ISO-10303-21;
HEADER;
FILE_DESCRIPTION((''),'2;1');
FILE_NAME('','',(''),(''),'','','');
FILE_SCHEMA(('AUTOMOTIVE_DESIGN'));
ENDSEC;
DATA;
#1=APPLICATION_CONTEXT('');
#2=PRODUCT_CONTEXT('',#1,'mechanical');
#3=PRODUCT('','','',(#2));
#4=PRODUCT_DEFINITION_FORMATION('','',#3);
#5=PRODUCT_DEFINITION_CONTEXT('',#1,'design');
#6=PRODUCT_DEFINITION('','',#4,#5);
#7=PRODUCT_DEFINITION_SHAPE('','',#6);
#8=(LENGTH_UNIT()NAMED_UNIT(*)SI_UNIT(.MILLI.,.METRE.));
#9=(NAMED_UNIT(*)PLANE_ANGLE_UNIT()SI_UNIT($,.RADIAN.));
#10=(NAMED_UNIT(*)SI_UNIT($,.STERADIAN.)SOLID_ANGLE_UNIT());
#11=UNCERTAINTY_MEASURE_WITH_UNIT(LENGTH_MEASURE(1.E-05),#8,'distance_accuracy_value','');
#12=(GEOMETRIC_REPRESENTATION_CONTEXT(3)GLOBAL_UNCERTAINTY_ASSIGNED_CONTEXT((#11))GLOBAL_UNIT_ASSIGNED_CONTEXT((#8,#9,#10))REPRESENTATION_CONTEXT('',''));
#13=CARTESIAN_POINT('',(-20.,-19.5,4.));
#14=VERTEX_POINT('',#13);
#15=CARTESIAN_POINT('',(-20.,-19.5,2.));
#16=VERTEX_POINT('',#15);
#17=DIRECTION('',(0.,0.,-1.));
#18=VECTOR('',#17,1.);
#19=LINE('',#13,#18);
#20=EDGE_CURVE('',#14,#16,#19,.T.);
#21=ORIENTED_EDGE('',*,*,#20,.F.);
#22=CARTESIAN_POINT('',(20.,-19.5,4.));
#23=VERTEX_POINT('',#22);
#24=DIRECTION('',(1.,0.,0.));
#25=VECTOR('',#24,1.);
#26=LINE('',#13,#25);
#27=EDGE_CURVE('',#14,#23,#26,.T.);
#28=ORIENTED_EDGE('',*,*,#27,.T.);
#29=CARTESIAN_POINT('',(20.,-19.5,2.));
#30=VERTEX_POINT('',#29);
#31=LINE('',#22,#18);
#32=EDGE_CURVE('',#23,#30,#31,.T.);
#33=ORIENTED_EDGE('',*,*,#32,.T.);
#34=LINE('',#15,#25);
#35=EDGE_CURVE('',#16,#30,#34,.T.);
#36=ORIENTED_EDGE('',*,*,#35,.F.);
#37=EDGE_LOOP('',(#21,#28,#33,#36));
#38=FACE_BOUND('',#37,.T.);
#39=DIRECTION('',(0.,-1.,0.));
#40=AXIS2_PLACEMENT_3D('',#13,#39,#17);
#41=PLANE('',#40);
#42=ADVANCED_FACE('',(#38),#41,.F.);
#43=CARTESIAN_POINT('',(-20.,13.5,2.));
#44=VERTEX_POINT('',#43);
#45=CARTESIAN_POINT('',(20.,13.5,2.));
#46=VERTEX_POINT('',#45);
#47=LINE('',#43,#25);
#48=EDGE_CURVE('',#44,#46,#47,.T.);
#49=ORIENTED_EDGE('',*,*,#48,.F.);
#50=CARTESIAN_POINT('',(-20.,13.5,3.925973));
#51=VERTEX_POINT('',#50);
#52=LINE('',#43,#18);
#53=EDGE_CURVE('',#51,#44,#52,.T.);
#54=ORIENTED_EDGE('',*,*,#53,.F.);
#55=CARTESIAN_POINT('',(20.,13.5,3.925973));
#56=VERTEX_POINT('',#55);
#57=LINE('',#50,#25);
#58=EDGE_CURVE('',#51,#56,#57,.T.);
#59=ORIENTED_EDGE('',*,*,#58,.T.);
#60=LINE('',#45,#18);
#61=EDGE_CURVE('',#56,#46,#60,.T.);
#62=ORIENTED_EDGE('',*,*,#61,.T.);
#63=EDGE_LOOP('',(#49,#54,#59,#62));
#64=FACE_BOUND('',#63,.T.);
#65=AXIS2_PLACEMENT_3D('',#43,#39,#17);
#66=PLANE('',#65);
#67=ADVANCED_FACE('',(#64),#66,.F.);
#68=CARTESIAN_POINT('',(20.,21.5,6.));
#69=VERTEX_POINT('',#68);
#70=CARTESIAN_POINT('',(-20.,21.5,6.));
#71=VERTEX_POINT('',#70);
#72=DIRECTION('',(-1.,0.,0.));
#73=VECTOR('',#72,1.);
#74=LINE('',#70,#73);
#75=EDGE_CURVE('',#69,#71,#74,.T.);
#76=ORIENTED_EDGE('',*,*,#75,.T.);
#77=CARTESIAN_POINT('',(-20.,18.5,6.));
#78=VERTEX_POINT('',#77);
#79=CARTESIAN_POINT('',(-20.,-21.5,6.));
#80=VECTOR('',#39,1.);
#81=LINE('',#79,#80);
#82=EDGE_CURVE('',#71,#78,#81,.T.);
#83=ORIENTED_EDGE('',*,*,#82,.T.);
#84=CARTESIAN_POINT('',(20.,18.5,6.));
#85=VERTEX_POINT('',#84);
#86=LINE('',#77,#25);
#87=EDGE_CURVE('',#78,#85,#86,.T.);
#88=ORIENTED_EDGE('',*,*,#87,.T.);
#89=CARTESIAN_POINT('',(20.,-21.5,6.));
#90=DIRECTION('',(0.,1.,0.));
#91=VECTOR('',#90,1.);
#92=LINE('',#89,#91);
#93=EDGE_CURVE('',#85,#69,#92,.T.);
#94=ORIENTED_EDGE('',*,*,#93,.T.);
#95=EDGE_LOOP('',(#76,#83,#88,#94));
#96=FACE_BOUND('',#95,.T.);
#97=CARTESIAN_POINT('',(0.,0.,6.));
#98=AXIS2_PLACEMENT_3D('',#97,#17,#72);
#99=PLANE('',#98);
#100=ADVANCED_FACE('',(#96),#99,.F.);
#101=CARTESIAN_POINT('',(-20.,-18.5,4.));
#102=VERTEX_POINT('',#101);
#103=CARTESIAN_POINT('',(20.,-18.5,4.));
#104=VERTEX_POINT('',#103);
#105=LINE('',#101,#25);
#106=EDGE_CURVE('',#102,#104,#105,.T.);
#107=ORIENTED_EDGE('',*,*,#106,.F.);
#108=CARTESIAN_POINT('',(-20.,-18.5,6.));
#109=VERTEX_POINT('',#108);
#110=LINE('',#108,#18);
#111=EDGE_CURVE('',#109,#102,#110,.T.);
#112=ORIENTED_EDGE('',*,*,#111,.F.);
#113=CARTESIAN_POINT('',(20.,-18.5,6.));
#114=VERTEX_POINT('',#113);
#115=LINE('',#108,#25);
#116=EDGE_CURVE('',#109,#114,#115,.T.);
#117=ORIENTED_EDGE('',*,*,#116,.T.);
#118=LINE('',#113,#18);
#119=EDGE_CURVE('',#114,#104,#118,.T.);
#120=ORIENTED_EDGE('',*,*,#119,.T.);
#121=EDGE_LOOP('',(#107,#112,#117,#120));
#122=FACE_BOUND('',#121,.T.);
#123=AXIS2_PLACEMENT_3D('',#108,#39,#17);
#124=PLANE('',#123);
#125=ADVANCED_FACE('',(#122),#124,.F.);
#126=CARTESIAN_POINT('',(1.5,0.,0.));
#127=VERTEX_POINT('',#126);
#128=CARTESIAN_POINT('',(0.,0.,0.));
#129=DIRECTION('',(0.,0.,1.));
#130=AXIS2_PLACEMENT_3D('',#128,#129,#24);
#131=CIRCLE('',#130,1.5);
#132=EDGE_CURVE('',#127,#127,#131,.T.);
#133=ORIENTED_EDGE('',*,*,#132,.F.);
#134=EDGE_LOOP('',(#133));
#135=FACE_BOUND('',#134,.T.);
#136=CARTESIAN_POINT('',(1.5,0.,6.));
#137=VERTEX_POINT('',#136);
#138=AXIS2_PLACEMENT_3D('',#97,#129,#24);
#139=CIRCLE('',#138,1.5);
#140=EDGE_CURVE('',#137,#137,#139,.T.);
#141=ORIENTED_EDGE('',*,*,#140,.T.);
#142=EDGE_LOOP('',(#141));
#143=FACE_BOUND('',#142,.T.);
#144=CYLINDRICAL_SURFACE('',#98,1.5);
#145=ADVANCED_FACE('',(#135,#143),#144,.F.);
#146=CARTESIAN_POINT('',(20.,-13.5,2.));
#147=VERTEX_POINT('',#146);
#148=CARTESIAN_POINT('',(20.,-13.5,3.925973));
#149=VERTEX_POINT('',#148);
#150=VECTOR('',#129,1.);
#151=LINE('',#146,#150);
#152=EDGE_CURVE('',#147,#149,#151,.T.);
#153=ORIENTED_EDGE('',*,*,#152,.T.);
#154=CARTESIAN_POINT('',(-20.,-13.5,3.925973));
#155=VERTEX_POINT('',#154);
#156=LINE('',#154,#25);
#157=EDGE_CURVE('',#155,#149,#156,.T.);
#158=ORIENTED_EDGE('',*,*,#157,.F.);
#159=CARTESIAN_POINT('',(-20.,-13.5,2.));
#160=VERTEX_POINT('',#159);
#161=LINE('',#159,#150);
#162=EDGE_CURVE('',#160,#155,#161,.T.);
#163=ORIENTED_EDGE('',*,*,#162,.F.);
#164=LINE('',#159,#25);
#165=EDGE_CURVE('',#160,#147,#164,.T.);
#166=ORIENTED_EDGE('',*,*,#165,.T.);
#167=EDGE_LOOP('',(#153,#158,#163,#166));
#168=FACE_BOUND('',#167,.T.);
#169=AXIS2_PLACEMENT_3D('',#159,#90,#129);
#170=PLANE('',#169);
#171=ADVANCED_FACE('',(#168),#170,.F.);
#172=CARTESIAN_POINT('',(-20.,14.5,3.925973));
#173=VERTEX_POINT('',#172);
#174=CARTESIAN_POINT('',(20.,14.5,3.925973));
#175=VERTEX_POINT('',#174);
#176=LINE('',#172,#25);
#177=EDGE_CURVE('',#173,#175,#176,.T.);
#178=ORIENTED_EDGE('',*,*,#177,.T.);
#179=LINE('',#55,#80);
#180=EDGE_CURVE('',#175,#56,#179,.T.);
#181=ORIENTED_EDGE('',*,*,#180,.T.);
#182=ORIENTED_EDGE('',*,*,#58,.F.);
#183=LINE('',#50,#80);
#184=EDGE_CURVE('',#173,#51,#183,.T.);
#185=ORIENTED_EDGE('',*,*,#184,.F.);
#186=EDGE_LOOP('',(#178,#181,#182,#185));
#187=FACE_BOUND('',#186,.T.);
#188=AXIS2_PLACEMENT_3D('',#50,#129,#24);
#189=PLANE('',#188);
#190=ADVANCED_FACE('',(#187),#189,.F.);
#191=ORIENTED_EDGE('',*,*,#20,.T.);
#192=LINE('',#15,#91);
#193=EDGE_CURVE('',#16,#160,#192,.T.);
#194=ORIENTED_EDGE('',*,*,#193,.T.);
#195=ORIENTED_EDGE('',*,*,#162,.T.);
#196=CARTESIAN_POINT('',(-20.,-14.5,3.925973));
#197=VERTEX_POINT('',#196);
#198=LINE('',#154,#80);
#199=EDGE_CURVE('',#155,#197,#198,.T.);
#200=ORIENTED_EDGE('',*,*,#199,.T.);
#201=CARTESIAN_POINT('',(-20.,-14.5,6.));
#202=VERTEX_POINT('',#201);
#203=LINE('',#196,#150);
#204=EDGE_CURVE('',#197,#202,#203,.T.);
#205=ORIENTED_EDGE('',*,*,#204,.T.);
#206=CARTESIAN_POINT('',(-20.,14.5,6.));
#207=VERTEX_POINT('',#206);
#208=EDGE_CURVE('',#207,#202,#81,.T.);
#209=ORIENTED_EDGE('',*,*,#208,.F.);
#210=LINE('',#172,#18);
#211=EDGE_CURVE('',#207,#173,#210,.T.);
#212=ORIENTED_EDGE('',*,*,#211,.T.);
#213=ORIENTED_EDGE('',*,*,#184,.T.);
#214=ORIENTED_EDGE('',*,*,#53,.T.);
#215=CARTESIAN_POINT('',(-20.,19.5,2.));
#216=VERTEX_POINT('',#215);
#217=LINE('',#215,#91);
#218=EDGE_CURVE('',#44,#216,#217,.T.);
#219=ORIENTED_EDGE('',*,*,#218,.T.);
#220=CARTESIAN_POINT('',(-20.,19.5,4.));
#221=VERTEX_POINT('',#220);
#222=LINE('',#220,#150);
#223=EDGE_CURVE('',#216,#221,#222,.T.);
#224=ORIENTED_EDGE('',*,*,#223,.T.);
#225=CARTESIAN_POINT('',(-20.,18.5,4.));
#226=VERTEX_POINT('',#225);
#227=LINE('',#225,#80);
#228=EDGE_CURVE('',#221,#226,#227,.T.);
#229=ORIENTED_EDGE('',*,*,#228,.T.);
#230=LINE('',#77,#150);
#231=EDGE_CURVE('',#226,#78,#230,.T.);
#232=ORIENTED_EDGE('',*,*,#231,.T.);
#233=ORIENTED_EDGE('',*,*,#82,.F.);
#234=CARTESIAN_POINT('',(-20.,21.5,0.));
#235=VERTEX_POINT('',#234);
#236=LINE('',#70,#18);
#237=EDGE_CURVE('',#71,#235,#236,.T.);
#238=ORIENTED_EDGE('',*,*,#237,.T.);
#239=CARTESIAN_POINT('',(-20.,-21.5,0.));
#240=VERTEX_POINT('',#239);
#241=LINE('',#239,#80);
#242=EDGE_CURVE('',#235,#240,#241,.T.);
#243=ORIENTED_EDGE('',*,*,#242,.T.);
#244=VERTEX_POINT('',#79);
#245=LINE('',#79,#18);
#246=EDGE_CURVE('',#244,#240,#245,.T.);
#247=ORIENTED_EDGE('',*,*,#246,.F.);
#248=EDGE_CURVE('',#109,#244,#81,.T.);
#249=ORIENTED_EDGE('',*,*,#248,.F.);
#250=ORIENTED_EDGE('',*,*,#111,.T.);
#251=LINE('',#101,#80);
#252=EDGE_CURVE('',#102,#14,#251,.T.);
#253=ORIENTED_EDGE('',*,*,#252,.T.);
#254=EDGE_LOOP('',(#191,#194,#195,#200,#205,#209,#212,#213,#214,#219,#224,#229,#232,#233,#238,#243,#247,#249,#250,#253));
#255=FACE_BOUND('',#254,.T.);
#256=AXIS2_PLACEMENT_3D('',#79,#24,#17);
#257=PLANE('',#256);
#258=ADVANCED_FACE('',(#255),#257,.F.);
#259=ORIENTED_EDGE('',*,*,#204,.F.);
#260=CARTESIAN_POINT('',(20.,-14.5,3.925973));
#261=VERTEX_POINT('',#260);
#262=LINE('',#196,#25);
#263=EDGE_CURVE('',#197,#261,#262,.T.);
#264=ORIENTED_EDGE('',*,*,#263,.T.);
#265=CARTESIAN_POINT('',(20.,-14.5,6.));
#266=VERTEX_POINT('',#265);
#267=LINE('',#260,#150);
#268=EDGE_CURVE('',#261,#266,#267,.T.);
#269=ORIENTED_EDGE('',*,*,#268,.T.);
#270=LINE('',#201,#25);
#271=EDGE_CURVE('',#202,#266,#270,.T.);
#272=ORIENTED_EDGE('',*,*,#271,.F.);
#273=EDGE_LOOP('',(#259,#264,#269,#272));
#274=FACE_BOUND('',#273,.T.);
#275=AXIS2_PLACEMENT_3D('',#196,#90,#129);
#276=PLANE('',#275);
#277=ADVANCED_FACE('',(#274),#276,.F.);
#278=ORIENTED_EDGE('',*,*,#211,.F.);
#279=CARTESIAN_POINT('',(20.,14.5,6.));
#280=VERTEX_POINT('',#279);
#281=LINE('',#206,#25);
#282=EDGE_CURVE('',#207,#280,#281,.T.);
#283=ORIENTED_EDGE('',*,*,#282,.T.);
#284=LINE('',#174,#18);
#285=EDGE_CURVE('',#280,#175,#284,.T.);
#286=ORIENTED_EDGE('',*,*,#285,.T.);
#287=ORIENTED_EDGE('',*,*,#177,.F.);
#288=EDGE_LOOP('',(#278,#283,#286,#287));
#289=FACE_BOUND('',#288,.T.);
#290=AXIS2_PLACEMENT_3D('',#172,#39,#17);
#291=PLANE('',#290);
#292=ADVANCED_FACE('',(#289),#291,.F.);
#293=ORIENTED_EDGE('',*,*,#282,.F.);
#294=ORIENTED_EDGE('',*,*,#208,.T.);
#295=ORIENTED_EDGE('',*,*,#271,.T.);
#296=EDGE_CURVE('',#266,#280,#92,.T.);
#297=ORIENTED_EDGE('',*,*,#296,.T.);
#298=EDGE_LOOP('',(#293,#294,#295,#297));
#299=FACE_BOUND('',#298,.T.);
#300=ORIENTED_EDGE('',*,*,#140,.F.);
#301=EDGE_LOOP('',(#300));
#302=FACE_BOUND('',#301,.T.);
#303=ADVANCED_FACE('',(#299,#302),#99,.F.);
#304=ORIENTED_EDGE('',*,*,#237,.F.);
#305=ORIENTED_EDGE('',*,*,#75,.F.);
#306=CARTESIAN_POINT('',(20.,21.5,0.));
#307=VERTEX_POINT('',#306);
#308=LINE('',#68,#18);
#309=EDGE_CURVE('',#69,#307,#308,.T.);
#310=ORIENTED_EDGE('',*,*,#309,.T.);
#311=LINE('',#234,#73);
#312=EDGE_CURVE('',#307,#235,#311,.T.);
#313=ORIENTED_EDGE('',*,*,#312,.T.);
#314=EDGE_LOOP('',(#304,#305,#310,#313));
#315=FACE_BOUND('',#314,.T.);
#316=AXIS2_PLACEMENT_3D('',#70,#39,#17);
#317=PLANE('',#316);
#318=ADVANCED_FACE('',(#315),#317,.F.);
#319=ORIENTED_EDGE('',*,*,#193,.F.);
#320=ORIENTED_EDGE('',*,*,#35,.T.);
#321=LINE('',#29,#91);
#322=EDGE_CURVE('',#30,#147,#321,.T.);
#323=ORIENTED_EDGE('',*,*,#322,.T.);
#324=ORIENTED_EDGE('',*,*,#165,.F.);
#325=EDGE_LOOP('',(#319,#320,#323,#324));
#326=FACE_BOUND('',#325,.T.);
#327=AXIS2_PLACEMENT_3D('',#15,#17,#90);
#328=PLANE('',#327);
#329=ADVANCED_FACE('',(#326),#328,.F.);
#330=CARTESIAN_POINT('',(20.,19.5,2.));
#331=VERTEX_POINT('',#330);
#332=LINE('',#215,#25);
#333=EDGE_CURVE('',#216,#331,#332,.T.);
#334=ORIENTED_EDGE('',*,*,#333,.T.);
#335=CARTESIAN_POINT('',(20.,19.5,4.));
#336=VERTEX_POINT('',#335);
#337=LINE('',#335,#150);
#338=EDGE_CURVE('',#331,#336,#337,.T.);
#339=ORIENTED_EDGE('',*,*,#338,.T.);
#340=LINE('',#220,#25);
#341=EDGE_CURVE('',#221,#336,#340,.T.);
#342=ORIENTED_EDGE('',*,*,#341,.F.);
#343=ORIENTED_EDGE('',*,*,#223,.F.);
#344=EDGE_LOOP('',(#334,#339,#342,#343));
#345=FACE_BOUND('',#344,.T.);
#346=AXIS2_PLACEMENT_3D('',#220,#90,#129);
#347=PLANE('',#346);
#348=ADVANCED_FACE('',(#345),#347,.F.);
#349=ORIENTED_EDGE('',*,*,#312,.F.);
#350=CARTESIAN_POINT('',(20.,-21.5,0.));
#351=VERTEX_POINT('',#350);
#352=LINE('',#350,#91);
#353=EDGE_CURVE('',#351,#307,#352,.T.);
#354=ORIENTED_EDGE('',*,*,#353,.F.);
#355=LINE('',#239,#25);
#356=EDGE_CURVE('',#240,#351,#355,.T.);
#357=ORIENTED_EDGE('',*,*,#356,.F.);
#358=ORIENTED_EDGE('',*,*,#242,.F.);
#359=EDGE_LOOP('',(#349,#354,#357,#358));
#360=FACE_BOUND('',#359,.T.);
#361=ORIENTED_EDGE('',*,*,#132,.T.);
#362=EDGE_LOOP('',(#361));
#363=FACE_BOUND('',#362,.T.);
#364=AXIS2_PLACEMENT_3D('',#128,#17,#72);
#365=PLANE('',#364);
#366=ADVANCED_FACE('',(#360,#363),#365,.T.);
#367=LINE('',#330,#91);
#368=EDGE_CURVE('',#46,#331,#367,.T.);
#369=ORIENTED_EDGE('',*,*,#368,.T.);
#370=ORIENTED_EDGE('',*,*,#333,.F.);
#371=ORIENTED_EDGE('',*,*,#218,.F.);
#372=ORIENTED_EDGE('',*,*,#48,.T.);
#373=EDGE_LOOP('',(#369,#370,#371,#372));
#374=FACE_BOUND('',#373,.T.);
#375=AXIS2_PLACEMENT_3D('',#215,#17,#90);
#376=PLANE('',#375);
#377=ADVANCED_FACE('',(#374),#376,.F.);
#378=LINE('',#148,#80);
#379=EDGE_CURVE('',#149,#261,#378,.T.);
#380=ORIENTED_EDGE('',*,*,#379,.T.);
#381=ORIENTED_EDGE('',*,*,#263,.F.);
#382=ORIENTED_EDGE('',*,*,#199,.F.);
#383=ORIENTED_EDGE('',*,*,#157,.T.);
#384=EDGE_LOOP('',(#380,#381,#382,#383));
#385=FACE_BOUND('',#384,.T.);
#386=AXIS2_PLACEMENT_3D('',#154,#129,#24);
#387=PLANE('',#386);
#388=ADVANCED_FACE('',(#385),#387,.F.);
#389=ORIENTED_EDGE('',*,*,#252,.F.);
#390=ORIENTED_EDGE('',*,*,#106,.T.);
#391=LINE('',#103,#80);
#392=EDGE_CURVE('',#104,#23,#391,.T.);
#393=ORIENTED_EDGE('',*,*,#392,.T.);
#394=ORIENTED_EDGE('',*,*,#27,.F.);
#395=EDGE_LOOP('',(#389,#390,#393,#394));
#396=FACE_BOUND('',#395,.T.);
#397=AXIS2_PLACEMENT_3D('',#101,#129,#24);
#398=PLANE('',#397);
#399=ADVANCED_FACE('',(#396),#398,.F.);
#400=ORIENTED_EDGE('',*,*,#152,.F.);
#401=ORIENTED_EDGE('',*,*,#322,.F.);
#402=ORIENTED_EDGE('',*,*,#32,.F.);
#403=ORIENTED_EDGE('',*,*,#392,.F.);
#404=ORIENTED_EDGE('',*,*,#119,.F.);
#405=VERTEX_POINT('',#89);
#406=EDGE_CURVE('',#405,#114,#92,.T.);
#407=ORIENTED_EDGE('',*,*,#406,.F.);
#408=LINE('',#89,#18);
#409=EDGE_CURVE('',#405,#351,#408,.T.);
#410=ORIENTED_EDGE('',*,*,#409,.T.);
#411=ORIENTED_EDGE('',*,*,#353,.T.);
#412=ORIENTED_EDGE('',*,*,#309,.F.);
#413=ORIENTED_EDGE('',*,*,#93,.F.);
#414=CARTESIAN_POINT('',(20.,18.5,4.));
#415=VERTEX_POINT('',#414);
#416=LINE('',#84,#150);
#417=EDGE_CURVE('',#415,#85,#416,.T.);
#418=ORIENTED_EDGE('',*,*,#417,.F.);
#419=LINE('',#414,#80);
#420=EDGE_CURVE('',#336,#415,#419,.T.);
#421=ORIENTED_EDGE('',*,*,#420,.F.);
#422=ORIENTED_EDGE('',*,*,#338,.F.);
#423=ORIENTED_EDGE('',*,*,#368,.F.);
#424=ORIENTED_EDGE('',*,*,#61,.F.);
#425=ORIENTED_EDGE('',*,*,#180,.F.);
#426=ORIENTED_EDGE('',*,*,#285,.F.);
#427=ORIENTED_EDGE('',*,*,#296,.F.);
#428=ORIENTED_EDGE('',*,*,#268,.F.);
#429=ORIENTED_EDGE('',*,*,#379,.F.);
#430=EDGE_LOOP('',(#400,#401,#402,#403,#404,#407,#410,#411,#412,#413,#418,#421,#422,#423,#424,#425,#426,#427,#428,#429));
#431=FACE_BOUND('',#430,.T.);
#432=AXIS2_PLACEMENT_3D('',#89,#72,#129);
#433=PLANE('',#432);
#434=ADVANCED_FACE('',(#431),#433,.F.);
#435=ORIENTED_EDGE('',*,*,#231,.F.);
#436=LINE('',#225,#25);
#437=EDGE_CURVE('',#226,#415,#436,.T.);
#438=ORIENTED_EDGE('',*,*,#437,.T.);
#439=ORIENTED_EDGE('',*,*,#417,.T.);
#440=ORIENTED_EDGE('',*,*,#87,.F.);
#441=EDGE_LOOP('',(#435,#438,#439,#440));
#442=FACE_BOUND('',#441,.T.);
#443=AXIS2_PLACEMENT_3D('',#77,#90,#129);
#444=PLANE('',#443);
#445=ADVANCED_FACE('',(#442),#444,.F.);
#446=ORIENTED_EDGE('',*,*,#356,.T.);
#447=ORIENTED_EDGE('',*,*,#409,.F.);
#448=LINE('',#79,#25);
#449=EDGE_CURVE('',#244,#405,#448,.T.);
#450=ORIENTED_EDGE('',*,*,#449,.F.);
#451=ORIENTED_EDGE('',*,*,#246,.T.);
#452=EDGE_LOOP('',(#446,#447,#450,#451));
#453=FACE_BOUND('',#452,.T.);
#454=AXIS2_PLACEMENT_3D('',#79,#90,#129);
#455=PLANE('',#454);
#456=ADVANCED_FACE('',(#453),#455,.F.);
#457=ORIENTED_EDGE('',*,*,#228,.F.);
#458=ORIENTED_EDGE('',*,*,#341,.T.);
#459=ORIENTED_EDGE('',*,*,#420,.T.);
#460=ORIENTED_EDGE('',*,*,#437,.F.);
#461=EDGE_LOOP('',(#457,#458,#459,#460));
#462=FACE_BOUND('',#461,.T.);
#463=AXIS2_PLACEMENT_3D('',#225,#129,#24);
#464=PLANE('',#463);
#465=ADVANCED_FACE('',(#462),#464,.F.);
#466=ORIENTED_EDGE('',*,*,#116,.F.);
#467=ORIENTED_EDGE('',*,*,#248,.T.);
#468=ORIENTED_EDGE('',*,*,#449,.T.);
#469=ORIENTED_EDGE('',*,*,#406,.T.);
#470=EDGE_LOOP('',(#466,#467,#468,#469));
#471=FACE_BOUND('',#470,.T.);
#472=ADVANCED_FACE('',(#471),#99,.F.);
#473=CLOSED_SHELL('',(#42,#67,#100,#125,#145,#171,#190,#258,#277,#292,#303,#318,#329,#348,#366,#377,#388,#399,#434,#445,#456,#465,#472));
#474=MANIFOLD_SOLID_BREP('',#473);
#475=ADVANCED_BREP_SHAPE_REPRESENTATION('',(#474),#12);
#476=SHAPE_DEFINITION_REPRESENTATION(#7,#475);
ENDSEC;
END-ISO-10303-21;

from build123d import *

# Parameters (mm, degrees)
SKETCH_1_W          = 40
SKETCH_1_H          = 43
SKETCH_1_R          = 1.5
EXTRUDE_1_DEPTH     = 6
CUT_EXTRUDE_1_DEPTH = 46.806658905


with BuildPart() as part:
    # 草图1 → 凸台-拉伸1 (new body)
    with BuildSketch(Plane.XY):
        Rectangle(SKETCH_1_W, SKETCH_1_H)
        Circle(SKETCH_1_R, mode=Mode.SUBTRACT)
    extrude(amount=EXTRUDE_1_DEPTH)

    # 草图2 → 切除-拉伸1 (cut, through all)
    with BuildSketch(Plane(origin=(20, 0, 0), x_dir=(0, 0, -1), z_dir=(1, 0, 0))):
        Polygon((-6, 18.5), (-4, 18.5), (-4, 19.5), (-2, 19.5), (-2, 13.5), (-3.925973419, 13.5), (-3.925973419, 14.5), (-6, 14.5), align=None)
        Polygon((-6, -18.5), (-6, -14.5), (-3.925973419, -14.5), (-3.925973419, -13.5), (-2, -13.5), (-2, -19.5), (-4, -19.5), (-4, -18.5), align=None)
    extrude(amount=-CUT_EXTRUDE_1_DEPTH, mode=Mode.SUBTRACT)


solid = part.part
